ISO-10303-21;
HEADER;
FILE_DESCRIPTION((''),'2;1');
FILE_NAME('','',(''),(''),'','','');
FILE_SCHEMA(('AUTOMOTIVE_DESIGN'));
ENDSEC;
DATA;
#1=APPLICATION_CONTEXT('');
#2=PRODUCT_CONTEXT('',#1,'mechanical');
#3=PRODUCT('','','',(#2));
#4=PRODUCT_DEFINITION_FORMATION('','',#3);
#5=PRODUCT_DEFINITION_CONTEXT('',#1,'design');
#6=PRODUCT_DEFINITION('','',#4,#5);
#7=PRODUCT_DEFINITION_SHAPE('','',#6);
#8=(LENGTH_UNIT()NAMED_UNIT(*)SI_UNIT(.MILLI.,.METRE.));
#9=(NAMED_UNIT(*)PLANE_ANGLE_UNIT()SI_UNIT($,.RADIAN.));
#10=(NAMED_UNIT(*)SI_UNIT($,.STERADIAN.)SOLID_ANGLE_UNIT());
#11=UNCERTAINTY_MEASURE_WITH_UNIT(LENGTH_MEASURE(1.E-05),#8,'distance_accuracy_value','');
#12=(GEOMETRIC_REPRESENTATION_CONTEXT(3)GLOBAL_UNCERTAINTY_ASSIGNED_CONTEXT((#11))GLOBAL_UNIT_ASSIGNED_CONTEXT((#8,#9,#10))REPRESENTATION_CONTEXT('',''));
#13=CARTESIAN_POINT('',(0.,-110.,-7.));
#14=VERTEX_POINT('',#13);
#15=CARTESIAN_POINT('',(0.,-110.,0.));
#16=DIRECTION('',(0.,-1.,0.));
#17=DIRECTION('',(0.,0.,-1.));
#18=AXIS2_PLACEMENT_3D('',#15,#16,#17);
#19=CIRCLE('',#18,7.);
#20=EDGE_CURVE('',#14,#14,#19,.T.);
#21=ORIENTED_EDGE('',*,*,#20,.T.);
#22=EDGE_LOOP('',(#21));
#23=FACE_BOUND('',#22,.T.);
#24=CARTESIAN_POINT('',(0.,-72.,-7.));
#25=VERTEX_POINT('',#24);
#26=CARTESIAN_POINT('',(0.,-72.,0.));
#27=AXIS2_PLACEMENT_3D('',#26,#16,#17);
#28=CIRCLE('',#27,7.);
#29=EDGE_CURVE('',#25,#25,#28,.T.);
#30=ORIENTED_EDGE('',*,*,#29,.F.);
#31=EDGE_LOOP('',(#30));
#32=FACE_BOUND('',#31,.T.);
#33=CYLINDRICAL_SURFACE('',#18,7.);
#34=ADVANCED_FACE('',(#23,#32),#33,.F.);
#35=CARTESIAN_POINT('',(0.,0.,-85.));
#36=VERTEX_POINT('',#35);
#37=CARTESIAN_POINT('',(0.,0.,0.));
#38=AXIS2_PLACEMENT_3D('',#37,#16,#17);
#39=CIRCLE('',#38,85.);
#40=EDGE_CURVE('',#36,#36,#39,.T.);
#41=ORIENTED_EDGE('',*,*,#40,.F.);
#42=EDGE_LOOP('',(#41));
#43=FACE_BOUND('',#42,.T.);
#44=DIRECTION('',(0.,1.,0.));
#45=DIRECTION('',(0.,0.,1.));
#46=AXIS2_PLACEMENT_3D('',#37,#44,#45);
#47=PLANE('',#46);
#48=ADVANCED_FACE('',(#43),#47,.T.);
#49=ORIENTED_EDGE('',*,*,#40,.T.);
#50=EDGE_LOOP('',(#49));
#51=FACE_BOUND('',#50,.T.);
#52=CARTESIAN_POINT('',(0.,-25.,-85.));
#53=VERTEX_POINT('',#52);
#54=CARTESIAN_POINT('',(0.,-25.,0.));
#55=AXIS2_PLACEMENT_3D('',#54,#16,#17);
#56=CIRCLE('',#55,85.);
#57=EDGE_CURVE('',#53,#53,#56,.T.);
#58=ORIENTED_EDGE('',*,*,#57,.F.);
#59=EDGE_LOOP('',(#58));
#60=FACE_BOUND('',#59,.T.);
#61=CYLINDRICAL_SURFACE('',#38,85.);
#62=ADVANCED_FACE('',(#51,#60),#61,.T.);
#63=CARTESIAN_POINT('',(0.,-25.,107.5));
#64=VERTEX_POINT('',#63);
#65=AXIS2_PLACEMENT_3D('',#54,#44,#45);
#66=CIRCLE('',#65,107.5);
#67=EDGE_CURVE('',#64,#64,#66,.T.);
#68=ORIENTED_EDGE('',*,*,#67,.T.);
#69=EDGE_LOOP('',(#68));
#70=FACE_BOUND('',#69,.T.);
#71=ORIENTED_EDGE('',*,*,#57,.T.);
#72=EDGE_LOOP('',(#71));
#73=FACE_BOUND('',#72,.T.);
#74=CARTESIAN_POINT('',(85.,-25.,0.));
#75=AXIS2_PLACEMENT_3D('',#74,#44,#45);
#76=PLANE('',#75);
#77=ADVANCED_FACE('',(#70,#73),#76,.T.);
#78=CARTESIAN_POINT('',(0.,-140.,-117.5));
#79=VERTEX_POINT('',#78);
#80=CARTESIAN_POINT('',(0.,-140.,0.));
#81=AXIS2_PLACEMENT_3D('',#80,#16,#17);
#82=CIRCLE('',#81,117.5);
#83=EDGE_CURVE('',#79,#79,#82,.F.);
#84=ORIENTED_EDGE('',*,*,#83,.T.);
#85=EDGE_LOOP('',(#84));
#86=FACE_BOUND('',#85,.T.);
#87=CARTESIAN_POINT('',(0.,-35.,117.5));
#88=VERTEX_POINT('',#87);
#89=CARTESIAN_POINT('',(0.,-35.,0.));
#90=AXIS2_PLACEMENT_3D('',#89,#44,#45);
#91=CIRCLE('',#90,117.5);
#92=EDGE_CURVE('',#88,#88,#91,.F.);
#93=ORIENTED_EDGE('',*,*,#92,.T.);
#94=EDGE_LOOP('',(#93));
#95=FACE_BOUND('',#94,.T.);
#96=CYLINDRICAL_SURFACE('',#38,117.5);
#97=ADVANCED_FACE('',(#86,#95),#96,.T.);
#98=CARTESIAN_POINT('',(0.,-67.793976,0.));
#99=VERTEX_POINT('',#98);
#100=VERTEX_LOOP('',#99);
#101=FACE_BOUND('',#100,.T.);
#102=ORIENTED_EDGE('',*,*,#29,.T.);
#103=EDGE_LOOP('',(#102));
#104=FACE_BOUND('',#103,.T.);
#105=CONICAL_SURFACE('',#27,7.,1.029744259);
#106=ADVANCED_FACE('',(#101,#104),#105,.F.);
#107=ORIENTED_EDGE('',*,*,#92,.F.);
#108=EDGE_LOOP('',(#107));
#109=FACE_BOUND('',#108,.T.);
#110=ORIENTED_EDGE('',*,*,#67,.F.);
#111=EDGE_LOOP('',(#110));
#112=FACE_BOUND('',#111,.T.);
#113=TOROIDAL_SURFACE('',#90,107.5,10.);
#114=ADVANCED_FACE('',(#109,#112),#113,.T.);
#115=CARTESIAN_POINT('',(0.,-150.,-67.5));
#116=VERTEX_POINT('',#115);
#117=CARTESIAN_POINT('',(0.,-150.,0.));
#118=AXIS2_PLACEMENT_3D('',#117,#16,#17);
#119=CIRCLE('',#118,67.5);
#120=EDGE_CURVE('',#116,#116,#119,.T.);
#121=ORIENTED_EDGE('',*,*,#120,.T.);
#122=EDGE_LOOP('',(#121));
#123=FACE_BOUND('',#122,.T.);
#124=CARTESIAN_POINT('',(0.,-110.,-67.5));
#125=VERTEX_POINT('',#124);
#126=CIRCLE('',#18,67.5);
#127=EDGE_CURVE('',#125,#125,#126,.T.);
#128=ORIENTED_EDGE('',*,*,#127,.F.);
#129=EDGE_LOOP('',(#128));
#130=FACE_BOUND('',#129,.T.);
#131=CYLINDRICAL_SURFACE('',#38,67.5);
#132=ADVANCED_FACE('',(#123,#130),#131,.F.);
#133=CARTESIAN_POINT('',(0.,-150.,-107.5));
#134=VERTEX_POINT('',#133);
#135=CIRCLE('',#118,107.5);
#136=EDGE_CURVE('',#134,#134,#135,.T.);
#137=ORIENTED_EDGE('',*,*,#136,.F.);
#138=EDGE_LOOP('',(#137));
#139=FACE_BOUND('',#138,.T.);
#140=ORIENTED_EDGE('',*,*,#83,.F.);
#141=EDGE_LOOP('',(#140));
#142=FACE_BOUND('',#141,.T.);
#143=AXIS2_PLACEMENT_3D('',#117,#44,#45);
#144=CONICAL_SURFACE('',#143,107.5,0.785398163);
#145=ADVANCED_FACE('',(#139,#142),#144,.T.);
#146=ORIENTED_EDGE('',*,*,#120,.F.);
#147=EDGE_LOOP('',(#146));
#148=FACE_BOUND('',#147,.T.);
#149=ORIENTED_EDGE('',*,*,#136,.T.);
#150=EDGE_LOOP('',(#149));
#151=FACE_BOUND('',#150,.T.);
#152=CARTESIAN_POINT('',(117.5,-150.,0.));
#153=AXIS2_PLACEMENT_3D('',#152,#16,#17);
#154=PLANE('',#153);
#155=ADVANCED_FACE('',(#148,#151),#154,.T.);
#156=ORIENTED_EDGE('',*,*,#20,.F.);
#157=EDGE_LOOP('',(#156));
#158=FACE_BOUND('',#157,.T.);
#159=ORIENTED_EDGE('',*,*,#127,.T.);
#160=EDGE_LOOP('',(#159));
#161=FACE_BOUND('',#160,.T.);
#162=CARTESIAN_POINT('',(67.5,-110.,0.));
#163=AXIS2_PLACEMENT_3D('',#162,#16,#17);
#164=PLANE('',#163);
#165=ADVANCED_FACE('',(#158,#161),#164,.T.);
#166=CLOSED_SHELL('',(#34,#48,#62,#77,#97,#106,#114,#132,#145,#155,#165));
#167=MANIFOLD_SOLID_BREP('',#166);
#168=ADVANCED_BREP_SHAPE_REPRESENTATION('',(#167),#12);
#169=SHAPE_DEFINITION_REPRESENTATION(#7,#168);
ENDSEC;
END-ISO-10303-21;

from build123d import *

# Parameters (mm, degrees)
HOLE_WIZARD_M16_1_D     = 14
HOLE_WIZARD_M16_1_DEPTH = 38
HOLE_WIZARD_M16_1_TIP   = 4.206024333
CHAMFER_1_SIZE          = 10
FILLET_1_R              = 10


with BuildPart() as part:
    # 草图1 → 旋转1 (revolve)
    with BuildSketch(Plane.XY, mode=Mode.PRIVATE) as revolve_1_sk:
        Polygon((0, 0), (85, 0), (85, -25), (117.5, -25), (117.5, -150), (67.5, -150), (67.5, -110), (0, -110), align=None)
    revolve(revolve_1_sk.sketch.rotate(Axis((0, 0, 0), (0, 1, 0)), 90), axis=Axis((0, 0, 0), (0, 1, 0)))

    # M16 螺纹孔1
    with Locations(Plane(origin=(0, -110, 0), x_dir=(-1, 0, 0), z_dir=(0, -1, 0))):
        with Locations((0, 0)):
            Hole(HOLE_WIZARD_M16_1_D / 2, depth=HOLE_WIZARD_M16_1_DEPTH)
            with Locations((0, 0, -(HOLE_WIZARD_M16_1_DEPTH + HOLE_WIZARD_M16_1_TIP / 2))):  # 118° drill point
                Cone(0, HOLE_WIZARD_M16_1_D / 2, HOLE_WIZARD_M16_1_TIP, mode=Mode.SUBTRACT)

    # 倒角1
    chamfer_1_edges = [part.edges().sort_by_distance(p)[0] for p in [
        (0, -150, 117.5),
    ]]
    chamfer(chamfer_1_edges, length=CHAMFER_1_SIZE)

    # 圆角1
    fillet_1_edges = [part.edges().sort_by_distance(p)[0] for p in [
        (0, -25, 117.5),
    ]]
    fillet(fillet_1_edges, radius=FILLET_1_R)


solid = part.part
